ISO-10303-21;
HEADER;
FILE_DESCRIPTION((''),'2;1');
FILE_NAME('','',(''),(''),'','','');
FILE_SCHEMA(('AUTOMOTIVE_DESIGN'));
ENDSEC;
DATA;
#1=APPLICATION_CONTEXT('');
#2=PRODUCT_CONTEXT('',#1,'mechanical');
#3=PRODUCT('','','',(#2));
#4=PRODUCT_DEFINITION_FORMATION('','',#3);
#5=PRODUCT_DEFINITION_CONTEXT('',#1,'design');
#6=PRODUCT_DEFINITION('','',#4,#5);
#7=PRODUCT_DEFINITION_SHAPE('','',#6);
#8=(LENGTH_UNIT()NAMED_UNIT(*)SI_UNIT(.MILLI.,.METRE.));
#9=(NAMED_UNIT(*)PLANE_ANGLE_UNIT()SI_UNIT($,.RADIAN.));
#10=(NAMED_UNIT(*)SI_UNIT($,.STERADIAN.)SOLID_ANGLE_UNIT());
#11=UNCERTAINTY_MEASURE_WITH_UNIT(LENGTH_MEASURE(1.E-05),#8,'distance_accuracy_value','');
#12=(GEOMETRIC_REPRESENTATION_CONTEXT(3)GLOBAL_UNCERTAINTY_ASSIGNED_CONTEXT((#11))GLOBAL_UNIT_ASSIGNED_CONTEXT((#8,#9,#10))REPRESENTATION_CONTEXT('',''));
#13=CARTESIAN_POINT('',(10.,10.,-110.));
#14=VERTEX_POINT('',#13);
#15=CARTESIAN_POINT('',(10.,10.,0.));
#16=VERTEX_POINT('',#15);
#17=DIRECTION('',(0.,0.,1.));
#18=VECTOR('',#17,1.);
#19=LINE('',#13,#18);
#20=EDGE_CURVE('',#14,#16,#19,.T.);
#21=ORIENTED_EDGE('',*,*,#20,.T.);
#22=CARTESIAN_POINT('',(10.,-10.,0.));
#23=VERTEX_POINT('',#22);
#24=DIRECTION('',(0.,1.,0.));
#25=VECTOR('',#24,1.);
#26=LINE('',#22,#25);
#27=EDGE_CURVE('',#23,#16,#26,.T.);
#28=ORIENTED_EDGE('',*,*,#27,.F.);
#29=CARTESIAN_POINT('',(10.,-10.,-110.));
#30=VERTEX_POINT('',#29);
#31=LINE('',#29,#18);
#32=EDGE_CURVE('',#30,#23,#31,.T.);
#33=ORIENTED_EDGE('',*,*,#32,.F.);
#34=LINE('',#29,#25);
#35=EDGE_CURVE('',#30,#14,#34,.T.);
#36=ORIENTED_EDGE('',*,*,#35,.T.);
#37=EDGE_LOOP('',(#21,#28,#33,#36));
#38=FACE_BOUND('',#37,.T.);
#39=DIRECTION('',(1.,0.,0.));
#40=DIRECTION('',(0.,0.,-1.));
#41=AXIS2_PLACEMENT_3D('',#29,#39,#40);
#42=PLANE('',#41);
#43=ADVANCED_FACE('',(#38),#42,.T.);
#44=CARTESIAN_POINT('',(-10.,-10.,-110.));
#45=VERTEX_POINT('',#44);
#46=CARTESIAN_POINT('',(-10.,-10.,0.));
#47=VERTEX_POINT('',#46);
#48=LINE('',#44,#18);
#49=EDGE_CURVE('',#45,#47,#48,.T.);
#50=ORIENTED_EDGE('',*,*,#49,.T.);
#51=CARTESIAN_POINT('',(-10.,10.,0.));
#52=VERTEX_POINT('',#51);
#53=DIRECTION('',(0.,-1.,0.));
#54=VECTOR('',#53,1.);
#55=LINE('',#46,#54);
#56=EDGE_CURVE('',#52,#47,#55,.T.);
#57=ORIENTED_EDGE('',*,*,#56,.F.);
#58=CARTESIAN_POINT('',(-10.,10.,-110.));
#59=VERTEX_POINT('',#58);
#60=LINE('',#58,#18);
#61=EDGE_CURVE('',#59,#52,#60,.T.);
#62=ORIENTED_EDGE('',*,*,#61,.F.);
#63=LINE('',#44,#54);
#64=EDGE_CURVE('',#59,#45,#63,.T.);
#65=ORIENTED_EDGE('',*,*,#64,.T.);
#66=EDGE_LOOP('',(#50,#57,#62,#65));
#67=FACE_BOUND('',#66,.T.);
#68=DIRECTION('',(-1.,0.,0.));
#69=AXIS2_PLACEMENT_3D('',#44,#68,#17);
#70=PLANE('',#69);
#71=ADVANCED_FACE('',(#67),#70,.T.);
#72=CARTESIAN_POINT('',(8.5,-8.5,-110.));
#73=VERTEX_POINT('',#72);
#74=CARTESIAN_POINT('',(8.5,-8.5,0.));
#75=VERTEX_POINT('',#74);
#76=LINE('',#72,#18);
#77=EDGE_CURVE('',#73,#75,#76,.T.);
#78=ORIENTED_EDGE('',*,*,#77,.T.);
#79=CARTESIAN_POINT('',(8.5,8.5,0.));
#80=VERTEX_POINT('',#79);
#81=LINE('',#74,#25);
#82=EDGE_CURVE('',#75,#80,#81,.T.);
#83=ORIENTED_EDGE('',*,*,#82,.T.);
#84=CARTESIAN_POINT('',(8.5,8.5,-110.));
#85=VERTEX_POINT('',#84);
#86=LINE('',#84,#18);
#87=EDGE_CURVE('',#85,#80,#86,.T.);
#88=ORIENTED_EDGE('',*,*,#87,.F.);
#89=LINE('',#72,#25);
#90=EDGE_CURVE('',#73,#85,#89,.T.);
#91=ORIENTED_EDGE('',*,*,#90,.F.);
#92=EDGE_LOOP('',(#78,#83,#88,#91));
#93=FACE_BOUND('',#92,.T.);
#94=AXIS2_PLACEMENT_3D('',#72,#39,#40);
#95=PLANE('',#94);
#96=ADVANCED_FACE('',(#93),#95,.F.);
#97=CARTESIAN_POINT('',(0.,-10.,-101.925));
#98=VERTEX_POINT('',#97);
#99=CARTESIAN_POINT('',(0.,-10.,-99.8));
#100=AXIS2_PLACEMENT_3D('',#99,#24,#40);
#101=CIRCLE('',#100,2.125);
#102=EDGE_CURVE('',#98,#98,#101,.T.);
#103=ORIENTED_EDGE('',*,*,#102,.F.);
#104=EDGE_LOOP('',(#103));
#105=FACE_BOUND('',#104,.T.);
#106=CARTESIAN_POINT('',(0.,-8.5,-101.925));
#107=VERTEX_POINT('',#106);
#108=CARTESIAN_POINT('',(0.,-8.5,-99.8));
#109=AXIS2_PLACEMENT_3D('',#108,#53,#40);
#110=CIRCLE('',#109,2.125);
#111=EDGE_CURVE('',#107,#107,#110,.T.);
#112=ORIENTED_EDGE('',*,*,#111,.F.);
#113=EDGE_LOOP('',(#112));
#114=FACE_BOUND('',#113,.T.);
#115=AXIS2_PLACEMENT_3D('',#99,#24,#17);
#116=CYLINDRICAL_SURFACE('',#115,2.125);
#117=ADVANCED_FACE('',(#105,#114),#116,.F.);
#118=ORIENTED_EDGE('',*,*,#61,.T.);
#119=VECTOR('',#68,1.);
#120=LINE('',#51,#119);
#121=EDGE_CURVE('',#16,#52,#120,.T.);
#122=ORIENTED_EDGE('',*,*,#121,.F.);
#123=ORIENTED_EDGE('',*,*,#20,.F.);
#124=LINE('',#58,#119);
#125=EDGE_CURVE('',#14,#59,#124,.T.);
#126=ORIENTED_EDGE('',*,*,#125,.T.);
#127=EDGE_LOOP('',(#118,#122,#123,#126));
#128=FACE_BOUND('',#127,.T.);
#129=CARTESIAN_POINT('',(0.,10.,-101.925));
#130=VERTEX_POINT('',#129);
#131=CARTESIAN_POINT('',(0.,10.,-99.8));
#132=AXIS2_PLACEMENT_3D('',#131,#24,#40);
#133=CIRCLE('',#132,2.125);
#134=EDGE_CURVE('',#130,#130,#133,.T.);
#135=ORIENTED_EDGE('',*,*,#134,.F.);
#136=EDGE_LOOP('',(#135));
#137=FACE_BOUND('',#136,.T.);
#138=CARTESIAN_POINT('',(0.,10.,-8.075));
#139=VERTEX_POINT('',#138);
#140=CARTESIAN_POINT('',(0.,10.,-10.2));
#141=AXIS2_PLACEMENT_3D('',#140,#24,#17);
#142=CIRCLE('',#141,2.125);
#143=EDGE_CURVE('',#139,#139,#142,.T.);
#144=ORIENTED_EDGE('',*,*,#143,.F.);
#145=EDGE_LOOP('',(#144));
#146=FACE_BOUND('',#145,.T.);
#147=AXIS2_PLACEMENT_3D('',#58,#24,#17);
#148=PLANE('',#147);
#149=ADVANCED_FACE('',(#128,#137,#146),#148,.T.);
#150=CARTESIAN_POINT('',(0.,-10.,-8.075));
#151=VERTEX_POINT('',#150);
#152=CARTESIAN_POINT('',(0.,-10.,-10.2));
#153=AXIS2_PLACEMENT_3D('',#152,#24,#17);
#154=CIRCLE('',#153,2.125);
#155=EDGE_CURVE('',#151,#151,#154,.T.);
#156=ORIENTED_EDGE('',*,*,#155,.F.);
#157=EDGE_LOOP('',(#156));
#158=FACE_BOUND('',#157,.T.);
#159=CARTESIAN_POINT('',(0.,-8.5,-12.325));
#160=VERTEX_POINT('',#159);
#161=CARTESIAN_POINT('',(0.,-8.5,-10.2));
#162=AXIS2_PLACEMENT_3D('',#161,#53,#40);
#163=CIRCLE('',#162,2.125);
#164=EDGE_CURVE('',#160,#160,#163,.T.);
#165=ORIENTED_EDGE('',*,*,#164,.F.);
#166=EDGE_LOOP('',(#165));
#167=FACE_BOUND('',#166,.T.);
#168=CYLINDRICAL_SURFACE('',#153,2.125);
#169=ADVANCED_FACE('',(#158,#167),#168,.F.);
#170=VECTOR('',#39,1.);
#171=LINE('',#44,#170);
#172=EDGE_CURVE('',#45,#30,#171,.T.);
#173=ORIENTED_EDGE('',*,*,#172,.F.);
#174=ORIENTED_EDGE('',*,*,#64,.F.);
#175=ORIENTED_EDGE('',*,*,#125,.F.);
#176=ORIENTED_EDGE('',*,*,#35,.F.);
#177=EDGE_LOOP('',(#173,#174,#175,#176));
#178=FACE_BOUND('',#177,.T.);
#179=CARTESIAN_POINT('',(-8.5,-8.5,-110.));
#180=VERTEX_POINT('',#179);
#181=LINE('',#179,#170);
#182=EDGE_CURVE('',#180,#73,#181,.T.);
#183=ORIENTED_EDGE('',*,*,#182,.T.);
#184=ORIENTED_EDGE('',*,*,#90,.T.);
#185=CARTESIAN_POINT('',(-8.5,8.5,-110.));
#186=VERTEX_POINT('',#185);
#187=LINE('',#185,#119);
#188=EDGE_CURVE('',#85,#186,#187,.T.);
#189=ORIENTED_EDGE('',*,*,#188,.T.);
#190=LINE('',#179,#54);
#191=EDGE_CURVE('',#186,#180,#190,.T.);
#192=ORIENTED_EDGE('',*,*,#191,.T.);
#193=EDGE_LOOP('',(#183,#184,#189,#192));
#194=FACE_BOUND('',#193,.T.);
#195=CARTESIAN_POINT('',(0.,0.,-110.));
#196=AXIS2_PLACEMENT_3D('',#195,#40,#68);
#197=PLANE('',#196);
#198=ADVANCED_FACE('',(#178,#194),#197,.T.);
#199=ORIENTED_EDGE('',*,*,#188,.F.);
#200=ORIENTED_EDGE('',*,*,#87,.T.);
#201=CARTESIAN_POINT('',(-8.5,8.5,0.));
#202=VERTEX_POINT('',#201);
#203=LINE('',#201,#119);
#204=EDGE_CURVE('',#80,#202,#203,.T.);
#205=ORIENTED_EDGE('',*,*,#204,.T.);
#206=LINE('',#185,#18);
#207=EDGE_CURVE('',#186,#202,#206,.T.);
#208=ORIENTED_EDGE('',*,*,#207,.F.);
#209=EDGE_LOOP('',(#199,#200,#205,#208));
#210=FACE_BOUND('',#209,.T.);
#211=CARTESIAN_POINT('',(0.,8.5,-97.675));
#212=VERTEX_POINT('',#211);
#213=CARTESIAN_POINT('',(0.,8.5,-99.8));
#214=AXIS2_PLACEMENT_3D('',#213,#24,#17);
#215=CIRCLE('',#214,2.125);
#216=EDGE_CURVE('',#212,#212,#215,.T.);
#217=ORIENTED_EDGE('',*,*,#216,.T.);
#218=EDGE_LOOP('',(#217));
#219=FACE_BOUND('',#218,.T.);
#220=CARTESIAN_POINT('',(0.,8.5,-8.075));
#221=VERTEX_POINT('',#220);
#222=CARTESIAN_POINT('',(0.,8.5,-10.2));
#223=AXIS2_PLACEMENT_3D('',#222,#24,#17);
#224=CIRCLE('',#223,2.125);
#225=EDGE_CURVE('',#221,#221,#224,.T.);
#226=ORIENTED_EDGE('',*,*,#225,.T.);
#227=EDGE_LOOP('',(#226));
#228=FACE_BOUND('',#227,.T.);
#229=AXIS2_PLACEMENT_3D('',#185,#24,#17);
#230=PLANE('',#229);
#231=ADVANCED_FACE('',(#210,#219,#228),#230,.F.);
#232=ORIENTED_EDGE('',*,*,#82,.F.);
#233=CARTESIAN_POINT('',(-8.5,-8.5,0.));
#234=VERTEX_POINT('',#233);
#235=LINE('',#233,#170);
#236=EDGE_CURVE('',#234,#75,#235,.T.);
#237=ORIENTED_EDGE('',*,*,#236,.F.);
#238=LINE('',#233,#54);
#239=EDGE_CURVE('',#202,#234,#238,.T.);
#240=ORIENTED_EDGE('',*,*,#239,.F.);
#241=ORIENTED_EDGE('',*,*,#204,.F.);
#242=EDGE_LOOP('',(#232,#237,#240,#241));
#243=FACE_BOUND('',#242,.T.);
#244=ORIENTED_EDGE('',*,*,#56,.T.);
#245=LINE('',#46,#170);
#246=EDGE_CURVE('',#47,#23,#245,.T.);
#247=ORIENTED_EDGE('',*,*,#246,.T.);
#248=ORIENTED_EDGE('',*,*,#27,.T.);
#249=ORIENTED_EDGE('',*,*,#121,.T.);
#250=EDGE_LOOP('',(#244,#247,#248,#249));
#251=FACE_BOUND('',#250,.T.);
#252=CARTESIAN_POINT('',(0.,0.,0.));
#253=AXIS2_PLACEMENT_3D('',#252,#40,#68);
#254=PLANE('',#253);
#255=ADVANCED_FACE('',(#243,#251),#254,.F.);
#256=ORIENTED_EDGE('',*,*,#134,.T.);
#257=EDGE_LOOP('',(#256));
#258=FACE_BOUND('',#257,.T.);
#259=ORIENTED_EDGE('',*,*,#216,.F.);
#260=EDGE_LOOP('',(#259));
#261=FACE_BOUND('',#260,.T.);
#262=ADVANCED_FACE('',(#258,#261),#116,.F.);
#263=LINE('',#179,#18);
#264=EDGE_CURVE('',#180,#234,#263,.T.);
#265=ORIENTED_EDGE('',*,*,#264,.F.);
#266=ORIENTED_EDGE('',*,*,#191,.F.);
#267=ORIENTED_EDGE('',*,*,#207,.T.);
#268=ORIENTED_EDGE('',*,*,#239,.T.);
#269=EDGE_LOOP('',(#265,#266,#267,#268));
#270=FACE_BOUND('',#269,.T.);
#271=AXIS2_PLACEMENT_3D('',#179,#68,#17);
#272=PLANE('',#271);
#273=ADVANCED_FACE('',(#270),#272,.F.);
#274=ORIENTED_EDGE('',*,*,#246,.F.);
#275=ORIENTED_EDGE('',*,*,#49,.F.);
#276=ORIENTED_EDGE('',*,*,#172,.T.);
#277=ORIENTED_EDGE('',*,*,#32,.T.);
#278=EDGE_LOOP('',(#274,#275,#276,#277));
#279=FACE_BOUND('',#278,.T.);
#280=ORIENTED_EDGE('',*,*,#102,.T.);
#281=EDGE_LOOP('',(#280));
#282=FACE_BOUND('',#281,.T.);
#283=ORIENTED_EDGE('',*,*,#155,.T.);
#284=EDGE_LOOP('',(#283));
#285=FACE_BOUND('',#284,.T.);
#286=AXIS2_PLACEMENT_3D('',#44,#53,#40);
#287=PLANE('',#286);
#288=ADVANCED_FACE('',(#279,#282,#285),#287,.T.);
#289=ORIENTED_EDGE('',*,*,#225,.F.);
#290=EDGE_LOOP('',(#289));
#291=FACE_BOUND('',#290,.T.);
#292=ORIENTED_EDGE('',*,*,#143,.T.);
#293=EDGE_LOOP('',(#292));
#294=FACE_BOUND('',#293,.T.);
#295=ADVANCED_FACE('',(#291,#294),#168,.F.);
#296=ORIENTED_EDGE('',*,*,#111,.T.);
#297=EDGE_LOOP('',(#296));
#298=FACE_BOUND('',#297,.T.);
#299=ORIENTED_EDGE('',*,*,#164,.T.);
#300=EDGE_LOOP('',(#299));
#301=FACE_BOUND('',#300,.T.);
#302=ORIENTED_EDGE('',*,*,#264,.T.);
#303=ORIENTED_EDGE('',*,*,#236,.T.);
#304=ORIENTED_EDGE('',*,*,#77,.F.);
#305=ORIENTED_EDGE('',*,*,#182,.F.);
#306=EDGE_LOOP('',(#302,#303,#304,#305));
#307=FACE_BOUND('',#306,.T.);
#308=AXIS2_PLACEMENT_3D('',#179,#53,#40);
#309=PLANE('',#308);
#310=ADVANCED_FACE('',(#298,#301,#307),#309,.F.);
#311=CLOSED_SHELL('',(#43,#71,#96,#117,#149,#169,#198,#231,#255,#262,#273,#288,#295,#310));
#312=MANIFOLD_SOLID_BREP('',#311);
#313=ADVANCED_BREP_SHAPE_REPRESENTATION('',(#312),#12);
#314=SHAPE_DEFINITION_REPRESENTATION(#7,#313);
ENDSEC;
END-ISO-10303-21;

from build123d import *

# Parameters (mm, degrees)
SKETCH1_W           = 20
SKETCH1_H           = 20
SKETCH1_W_2         = 17
SKETCH1_H_2         = 17
BOSS_EXTRUDE1_DEPTH = 110
SKETCH2_R           = 2.125
CUT_EXTRUDE1_DEPTH  = 113.249721603


with BuildPart() as part:
    # Sketch1 → Boss-Extrude1 (new body)
    with BuildSketch(Plane.XY):
        Rectangle(SKETCH1_W, SKETCH1_H)
        Rectangle(SKETCH1_W_2, SKETCH1_H_2, mode=Mode.SUBTRACT)
    extrude(amount=-BOSS_EXTRUDE1_DEPTH)

    # Sketch2 → Cut-Extrude1 (cut, through all)
    with BuildSketch(Plane(origin=(0, 10, 0), x_dir=(1, 0, 0), z_dir=(0, 1, 0))):
        with Locations(Location((0, 10.2, 0), (0, 0, 270))):
            Circle(SKETCH2_R)
        with Locations(Location((0, 99.8, 0), (0, 0, 90))):
            Circle(SKETCH2_R)
    extrude(amount=-CUT_EXTRUDE1_DEPTH, mode=Mode.SUBTRACT)


solid = part.part
